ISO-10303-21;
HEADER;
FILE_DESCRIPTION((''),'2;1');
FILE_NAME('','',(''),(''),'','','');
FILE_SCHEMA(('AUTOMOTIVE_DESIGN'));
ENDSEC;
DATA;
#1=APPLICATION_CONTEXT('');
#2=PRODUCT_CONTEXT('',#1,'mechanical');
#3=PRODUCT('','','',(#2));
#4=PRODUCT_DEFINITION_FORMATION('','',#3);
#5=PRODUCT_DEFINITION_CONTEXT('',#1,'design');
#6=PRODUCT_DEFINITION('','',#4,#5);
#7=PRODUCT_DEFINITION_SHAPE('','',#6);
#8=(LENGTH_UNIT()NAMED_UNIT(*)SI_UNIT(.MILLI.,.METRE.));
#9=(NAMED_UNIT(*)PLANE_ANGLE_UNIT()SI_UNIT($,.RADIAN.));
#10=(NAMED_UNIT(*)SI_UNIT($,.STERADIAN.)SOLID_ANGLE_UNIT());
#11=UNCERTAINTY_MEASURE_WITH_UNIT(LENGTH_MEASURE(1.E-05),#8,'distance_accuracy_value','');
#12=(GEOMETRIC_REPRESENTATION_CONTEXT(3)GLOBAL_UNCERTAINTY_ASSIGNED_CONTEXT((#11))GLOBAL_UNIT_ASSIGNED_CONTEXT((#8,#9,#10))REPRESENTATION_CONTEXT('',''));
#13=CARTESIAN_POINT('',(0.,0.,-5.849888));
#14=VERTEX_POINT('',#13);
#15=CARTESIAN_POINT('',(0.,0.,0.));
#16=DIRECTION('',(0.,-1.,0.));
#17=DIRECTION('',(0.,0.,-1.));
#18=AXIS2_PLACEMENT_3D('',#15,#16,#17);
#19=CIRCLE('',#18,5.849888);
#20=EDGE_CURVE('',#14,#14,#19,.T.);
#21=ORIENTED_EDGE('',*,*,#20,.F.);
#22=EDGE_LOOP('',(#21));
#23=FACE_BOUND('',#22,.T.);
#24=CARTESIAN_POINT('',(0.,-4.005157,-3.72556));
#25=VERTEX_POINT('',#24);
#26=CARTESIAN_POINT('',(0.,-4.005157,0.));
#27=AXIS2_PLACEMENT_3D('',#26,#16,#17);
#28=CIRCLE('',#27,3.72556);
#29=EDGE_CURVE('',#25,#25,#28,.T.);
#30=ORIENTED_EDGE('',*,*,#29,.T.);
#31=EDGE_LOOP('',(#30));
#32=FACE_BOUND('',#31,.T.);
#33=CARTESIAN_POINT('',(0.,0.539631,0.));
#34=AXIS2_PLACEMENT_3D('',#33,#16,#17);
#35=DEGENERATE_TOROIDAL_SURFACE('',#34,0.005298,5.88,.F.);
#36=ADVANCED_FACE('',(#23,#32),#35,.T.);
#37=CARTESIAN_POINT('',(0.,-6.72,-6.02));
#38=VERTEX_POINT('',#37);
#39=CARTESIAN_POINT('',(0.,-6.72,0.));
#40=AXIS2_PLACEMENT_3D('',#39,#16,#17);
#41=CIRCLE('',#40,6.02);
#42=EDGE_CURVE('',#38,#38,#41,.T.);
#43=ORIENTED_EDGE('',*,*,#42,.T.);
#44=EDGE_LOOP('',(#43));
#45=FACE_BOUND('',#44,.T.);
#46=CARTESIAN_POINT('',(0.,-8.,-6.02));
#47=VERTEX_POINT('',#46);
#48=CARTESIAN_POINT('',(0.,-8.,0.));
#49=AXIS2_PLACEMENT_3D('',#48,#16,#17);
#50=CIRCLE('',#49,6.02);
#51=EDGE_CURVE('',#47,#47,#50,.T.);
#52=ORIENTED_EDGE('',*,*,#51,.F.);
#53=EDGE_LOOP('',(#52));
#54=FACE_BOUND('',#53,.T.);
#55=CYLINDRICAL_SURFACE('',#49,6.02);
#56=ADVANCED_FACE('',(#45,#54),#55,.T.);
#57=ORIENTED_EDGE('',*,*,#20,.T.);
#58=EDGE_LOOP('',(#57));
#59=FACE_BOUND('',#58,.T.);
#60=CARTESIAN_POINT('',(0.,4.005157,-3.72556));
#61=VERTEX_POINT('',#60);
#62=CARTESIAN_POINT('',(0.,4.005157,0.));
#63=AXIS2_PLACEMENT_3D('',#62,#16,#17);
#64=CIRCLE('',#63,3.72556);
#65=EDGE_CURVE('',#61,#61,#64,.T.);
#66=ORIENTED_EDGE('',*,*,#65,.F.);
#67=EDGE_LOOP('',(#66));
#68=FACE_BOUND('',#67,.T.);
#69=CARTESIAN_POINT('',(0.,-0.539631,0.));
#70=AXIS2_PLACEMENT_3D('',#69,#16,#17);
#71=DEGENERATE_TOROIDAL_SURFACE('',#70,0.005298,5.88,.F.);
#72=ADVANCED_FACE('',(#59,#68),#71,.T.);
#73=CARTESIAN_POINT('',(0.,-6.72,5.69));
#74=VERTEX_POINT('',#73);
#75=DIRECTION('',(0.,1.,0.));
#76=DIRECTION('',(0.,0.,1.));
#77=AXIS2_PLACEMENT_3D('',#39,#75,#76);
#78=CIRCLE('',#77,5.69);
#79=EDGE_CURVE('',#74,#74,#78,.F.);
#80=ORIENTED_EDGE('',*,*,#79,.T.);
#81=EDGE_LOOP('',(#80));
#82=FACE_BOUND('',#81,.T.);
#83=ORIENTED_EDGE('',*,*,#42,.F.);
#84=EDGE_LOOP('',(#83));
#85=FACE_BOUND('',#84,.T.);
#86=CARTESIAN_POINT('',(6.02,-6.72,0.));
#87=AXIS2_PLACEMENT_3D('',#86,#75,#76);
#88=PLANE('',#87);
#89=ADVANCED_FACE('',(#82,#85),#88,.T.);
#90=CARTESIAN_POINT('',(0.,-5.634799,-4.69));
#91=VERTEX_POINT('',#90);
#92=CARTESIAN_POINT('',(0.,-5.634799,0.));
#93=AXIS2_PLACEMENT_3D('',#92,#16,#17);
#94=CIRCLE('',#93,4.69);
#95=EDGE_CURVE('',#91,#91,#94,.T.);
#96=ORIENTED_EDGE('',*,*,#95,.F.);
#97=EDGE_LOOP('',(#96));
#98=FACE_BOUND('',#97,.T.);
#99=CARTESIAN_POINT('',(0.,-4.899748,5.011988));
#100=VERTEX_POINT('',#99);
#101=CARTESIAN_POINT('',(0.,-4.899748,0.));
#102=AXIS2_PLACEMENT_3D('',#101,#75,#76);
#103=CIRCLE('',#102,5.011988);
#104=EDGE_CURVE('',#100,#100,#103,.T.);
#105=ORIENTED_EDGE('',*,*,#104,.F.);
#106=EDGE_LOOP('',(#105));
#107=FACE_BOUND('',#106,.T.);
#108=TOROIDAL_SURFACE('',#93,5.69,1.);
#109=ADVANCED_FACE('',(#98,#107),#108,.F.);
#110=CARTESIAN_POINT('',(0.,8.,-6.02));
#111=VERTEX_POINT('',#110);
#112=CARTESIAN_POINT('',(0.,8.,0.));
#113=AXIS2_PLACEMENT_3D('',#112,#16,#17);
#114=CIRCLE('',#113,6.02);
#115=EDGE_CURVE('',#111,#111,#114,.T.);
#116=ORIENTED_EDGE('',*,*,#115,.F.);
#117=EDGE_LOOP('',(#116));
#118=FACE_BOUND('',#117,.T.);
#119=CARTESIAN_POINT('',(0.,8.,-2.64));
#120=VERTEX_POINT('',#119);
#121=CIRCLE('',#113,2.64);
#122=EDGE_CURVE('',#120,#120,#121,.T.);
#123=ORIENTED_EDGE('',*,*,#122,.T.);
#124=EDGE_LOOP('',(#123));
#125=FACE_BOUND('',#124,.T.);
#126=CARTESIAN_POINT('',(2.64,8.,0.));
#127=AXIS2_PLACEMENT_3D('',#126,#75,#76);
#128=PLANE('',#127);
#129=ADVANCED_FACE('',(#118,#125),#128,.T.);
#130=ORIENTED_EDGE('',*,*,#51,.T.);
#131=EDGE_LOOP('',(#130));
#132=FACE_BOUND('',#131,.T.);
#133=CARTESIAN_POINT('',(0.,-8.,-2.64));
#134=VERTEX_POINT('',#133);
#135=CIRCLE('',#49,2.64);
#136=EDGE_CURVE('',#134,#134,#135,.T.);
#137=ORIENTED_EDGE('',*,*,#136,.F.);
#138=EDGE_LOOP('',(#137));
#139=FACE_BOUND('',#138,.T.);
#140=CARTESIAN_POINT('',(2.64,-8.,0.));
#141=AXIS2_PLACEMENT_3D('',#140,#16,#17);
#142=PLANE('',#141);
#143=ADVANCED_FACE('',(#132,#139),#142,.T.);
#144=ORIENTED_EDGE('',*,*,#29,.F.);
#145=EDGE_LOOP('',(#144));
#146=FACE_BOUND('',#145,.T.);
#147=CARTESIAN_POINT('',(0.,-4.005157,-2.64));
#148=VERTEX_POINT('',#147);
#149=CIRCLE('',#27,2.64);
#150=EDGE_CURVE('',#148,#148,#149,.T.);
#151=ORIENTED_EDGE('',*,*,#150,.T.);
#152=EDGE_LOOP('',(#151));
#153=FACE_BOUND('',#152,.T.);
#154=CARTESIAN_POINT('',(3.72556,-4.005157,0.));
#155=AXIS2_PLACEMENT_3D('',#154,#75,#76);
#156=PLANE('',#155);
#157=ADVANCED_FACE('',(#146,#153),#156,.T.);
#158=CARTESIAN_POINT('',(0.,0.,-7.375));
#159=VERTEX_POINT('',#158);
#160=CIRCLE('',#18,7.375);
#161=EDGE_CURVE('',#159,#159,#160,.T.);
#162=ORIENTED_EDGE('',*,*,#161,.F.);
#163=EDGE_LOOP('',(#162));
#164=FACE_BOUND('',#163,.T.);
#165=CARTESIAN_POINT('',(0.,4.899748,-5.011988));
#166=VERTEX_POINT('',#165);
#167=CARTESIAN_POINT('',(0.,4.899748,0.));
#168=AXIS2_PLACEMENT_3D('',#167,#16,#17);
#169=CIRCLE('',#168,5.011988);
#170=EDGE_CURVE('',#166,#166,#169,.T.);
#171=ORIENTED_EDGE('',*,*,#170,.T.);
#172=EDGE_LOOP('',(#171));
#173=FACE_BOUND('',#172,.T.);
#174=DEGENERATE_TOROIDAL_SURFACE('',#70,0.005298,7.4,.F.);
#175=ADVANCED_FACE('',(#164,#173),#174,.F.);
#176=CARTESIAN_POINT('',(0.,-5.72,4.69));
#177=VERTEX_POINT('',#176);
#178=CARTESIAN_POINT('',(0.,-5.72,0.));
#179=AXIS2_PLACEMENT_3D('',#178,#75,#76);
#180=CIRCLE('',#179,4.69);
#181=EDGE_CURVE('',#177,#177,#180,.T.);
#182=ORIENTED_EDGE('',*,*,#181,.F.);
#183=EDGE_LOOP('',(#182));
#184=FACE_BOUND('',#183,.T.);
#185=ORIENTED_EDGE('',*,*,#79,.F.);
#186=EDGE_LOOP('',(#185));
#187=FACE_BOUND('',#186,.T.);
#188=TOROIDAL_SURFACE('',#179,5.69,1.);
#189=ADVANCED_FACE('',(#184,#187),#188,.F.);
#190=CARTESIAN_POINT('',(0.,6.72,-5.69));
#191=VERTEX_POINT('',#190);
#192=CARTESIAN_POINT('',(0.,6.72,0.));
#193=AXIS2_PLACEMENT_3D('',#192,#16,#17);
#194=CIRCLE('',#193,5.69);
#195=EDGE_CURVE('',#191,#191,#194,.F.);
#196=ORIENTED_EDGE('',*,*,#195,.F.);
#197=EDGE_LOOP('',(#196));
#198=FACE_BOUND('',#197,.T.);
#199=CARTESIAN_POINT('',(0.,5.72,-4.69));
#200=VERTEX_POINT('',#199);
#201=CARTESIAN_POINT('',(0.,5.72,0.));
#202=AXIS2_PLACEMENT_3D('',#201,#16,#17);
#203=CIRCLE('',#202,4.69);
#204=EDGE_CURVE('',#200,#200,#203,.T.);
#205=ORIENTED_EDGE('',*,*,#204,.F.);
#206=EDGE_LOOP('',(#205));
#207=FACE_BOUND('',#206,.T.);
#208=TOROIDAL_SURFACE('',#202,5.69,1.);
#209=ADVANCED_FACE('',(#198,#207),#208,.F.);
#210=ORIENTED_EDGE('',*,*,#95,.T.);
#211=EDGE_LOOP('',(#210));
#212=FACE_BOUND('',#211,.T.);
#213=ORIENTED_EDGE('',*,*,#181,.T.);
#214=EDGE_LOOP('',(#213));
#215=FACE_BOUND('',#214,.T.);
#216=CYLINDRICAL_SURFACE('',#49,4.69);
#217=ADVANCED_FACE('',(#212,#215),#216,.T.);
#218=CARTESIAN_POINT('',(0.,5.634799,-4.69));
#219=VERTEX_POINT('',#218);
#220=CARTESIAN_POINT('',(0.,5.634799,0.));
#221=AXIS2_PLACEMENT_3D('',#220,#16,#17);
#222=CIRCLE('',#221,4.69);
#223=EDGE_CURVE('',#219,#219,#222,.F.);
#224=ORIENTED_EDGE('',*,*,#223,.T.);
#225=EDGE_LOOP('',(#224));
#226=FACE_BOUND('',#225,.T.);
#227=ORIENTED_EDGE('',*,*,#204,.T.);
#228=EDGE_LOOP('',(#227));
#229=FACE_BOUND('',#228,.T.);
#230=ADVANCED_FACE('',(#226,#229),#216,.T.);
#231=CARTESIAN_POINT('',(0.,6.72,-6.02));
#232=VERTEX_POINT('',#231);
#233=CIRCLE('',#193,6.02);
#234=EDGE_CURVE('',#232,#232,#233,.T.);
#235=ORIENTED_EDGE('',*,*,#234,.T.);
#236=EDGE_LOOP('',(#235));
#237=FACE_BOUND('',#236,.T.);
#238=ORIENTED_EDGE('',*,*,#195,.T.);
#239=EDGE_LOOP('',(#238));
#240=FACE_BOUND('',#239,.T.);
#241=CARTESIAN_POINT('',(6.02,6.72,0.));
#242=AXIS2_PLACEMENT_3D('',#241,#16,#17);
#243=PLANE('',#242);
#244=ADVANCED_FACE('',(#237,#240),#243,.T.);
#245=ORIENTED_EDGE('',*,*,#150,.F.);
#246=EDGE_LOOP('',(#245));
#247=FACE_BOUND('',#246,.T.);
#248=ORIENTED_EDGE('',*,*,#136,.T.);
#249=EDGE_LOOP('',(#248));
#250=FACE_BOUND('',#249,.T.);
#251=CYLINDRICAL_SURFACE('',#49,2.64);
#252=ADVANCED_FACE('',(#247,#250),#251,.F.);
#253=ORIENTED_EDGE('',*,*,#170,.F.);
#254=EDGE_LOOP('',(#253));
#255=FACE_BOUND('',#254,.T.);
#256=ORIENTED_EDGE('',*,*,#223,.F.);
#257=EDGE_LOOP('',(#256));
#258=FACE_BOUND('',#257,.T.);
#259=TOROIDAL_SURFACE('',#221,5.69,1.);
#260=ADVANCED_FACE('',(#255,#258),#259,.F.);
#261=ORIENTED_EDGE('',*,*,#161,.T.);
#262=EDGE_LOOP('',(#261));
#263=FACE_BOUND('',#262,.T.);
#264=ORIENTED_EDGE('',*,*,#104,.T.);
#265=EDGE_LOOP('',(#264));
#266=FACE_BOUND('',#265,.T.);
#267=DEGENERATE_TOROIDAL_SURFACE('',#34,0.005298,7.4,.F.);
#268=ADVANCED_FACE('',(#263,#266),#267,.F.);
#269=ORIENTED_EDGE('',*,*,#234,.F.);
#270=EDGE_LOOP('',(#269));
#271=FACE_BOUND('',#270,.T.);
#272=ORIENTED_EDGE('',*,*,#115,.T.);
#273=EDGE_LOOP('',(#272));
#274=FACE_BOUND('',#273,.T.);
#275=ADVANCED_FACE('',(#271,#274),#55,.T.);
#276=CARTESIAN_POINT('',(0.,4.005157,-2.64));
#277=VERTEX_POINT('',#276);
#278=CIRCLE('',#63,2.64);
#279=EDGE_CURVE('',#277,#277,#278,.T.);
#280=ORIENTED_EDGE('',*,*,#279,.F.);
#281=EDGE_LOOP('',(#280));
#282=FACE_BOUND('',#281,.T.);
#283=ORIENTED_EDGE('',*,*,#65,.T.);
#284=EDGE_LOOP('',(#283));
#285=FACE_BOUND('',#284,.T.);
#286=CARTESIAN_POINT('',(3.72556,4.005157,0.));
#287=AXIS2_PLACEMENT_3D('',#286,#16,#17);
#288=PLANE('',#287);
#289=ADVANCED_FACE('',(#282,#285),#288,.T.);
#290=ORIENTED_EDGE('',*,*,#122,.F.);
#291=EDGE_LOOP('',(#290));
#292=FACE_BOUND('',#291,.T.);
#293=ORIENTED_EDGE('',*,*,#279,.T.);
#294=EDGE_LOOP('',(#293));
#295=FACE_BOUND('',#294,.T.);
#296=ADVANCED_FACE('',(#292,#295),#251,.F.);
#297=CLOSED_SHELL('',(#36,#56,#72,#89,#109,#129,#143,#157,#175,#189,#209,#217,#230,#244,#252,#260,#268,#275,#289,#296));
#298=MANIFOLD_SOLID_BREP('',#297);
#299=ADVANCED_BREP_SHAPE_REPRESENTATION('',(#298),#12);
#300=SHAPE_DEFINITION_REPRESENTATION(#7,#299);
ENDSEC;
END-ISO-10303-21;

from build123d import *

# Parameters (mm, degrees)
FILLET1_R = 1


with BuildPart() as part:
    # Sketch2 → Revolve1 (revolve)
    with BuildSketch(Plane.XY):
        with BuildLine():
            Line((2.64, 8), (6.02, 8))
            Line((6.02, 8), (6.02, 6.72))
            Line((6.02, 6.72), (4.69, 6.72))
            Line((4.69, 6.72), (4.69, 5.18))
            ThreePointArc((4.69, 5.18), (6.564565369, 2.86579064), (7.375, 0))
            ThreePointArc((7.375, 0), (6.564565369, -2.86579064), (4.69, -5.18))
            Line((4.69, -5.18), (4.69, -6.72))
            Line((4.69, -6.72), (6.02, -6.72))
            Line((6.02, -6.72), (6.02, -8))
            Line((6.02, -8), (2.64, -8))
            Line((2.64, -8), (2.64, -4.005156913))
            Line((2.64, -4.005156913), (3.725560411, -4.005156913))
            ThreePointArc((3.725560411, -4.005156913), (5.189254963, -2.215549668), (5.849887614, 0))
            ThreePointArc((5.849887614, 0), (5.189254963, 2.215549668), (3.725560411, 4.005156913))
            Line((3.725560411, 4.005156913), (2.64, 4.005156913))
            Line((2.64, 4.005156913), (2.64, 8))
        make_face()
    revolve(axis=Axis((0, -8, 0), (0, 1, 0)))

    # Fillet1
    fillet1_edges = [part.edges().sort_by_distance(p)[0] for p in [
        (-4.69, -6.72, 0),
        (-4.69, -5.18, 0),
        (-4.69, 5.18, 0),
        (-4.69, 6.72, 0),
    ]]
    fillet(fillet1_edges, radius=FILLET1_R)


solid = part.part
